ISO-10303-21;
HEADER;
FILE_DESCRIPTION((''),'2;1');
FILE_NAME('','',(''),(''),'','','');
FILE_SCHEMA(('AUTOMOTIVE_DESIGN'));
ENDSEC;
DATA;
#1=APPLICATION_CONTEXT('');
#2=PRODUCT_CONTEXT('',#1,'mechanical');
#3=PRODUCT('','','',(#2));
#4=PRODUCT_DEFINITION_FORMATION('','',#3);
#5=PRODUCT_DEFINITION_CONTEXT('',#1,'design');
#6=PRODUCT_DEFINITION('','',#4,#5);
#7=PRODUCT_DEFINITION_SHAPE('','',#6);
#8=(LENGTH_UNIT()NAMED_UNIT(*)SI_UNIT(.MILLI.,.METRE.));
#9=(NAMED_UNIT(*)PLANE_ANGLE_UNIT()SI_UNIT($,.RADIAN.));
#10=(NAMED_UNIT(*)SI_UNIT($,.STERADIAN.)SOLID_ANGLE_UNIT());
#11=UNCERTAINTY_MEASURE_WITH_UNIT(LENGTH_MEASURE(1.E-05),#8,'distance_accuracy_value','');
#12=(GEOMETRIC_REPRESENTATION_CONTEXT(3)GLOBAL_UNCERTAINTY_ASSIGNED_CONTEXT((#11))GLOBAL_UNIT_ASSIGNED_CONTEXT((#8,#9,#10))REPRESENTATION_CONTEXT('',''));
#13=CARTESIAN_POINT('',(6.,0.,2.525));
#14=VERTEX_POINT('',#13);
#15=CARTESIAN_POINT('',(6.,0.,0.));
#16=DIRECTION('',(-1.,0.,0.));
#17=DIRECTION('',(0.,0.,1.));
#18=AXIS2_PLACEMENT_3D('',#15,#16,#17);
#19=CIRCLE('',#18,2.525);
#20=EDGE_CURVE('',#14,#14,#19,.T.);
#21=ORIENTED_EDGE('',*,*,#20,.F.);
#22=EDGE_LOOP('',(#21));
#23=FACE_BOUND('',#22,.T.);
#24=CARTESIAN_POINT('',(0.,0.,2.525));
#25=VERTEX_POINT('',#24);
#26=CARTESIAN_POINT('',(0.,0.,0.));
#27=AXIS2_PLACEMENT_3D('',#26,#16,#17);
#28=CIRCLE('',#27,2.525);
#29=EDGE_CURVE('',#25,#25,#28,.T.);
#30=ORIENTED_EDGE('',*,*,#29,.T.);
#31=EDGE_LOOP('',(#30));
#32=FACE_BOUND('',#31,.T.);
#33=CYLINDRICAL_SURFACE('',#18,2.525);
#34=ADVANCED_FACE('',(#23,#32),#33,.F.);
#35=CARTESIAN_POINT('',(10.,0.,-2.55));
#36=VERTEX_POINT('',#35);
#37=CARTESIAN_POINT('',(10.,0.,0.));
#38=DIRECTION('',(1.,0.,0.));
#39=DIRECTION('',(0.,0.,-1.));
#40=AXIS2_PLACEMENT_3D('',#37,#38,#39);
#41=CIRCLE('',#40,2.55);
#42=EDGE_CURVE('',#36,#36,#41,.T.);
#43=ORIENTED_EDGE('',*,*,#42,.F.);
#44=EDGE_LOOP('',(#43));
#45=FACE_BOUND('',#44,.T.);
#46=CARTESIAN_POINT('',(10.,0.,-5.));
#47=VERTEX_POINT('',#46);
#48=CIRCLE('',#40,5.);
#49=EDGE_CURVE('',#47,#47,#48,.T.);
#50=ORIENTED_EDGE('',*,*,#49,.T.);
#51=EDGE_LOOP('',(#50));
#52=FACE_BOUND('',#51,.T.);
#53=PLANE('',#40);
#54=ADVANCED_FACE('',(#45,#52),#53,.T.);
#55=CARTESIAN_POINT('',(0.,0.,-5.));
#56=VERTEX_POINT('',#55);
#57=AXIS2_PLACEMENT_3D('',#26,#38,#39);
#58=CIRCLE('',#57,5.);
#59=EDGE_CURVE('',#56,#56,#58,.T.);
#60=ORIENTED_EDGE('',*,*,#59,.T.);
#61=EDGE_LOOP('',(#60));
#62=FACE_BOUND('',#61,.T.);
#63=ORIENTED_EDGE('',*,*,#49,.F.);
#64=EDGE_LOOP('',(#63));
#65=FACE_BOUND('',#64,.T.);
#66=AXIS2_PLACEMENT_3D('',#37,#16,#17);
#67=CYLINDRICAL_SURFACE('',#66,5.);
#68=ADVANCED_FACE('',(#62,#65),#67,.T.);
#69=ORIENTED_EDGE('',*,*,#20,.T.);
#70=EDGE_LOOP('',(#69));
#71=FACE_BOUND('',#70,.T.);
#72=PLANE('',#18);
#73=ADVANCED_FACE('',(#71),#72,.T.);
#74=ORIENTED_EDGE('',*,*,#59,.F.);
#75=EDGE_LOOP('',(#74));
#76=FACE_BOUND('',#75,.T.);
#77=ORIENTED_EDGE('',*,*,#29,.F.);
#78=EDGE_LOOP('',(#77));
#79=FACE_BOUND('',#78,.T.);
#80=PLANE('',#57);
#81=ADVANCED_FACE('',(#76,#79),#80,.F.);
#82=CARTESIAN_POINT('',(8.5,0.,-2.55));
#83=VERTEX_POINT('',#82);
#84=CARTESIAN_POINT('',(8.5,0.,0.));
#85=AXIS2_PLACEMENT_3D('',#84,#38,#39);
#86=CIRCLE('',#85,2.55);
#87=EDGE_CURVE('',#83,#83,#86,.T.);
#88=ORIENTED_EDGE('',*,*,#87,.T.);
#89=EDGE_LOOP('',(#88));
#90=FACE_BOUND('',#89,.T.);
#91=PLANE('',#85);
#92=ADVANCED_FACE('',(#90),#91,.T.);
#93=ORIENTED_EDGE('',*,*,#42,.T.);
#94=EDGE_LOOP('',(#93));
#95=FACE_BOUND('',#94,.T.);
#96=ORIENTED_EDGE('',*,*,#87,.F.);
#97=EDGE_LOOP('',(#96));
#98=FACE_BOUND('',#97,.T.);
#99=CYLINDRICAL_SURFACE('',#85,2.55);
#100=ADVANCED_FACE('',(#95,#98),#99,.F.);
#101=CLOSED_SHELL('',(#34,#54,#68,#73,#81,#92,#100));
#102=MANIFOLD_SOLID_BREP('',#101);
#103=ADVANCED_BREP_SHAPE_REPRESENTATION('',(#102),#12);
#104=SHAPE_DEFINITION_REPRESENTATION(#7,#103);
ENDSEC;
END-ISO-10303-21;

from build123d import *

# Parameters (mm, degrees)
SKETCH1_R           = 5
BOSS_EXTRUDE1_DEPTH = 10
SKETCH2_R           = 2.55
CUT_EXTRUDE1_DEPTH  = 1.5
SKETCH4_R           = 2.525
CUT_EXTRUDE2_DEPTH  = 6


with BuildPart() as part:
    # Sketch1 → Boss-Extrude1 (new body)
    with BuildSketch(Plane.YZ):
        Circle(SKETCH1_R)
    extrude(amount=BOSS_EXTRUDE1_DEPTH)

    # Sketch2 → Cut-Extrude1 (cut)
    with BuildSketch(Plane.YZ.offset(10)):
        Circle(SKETCH2_R)
    extrude(amount=-CUT_EXTRUDE1_DEPTH, mode=Mode.SUBTRACT)

    # Sketch4 → Cut-Extrude2 (cut)
    with BuildSketch(Plane(origin=(0, 0, 0), x_dir=(0, -1, 0), z_dir=(-1, 0, 0))):
        Circle(SKETCH4_R)
    extrude(amount=-CUT_EXTRUDE2_DEPTH, mode=Mode.SUBTRACT)


solid = part.part
